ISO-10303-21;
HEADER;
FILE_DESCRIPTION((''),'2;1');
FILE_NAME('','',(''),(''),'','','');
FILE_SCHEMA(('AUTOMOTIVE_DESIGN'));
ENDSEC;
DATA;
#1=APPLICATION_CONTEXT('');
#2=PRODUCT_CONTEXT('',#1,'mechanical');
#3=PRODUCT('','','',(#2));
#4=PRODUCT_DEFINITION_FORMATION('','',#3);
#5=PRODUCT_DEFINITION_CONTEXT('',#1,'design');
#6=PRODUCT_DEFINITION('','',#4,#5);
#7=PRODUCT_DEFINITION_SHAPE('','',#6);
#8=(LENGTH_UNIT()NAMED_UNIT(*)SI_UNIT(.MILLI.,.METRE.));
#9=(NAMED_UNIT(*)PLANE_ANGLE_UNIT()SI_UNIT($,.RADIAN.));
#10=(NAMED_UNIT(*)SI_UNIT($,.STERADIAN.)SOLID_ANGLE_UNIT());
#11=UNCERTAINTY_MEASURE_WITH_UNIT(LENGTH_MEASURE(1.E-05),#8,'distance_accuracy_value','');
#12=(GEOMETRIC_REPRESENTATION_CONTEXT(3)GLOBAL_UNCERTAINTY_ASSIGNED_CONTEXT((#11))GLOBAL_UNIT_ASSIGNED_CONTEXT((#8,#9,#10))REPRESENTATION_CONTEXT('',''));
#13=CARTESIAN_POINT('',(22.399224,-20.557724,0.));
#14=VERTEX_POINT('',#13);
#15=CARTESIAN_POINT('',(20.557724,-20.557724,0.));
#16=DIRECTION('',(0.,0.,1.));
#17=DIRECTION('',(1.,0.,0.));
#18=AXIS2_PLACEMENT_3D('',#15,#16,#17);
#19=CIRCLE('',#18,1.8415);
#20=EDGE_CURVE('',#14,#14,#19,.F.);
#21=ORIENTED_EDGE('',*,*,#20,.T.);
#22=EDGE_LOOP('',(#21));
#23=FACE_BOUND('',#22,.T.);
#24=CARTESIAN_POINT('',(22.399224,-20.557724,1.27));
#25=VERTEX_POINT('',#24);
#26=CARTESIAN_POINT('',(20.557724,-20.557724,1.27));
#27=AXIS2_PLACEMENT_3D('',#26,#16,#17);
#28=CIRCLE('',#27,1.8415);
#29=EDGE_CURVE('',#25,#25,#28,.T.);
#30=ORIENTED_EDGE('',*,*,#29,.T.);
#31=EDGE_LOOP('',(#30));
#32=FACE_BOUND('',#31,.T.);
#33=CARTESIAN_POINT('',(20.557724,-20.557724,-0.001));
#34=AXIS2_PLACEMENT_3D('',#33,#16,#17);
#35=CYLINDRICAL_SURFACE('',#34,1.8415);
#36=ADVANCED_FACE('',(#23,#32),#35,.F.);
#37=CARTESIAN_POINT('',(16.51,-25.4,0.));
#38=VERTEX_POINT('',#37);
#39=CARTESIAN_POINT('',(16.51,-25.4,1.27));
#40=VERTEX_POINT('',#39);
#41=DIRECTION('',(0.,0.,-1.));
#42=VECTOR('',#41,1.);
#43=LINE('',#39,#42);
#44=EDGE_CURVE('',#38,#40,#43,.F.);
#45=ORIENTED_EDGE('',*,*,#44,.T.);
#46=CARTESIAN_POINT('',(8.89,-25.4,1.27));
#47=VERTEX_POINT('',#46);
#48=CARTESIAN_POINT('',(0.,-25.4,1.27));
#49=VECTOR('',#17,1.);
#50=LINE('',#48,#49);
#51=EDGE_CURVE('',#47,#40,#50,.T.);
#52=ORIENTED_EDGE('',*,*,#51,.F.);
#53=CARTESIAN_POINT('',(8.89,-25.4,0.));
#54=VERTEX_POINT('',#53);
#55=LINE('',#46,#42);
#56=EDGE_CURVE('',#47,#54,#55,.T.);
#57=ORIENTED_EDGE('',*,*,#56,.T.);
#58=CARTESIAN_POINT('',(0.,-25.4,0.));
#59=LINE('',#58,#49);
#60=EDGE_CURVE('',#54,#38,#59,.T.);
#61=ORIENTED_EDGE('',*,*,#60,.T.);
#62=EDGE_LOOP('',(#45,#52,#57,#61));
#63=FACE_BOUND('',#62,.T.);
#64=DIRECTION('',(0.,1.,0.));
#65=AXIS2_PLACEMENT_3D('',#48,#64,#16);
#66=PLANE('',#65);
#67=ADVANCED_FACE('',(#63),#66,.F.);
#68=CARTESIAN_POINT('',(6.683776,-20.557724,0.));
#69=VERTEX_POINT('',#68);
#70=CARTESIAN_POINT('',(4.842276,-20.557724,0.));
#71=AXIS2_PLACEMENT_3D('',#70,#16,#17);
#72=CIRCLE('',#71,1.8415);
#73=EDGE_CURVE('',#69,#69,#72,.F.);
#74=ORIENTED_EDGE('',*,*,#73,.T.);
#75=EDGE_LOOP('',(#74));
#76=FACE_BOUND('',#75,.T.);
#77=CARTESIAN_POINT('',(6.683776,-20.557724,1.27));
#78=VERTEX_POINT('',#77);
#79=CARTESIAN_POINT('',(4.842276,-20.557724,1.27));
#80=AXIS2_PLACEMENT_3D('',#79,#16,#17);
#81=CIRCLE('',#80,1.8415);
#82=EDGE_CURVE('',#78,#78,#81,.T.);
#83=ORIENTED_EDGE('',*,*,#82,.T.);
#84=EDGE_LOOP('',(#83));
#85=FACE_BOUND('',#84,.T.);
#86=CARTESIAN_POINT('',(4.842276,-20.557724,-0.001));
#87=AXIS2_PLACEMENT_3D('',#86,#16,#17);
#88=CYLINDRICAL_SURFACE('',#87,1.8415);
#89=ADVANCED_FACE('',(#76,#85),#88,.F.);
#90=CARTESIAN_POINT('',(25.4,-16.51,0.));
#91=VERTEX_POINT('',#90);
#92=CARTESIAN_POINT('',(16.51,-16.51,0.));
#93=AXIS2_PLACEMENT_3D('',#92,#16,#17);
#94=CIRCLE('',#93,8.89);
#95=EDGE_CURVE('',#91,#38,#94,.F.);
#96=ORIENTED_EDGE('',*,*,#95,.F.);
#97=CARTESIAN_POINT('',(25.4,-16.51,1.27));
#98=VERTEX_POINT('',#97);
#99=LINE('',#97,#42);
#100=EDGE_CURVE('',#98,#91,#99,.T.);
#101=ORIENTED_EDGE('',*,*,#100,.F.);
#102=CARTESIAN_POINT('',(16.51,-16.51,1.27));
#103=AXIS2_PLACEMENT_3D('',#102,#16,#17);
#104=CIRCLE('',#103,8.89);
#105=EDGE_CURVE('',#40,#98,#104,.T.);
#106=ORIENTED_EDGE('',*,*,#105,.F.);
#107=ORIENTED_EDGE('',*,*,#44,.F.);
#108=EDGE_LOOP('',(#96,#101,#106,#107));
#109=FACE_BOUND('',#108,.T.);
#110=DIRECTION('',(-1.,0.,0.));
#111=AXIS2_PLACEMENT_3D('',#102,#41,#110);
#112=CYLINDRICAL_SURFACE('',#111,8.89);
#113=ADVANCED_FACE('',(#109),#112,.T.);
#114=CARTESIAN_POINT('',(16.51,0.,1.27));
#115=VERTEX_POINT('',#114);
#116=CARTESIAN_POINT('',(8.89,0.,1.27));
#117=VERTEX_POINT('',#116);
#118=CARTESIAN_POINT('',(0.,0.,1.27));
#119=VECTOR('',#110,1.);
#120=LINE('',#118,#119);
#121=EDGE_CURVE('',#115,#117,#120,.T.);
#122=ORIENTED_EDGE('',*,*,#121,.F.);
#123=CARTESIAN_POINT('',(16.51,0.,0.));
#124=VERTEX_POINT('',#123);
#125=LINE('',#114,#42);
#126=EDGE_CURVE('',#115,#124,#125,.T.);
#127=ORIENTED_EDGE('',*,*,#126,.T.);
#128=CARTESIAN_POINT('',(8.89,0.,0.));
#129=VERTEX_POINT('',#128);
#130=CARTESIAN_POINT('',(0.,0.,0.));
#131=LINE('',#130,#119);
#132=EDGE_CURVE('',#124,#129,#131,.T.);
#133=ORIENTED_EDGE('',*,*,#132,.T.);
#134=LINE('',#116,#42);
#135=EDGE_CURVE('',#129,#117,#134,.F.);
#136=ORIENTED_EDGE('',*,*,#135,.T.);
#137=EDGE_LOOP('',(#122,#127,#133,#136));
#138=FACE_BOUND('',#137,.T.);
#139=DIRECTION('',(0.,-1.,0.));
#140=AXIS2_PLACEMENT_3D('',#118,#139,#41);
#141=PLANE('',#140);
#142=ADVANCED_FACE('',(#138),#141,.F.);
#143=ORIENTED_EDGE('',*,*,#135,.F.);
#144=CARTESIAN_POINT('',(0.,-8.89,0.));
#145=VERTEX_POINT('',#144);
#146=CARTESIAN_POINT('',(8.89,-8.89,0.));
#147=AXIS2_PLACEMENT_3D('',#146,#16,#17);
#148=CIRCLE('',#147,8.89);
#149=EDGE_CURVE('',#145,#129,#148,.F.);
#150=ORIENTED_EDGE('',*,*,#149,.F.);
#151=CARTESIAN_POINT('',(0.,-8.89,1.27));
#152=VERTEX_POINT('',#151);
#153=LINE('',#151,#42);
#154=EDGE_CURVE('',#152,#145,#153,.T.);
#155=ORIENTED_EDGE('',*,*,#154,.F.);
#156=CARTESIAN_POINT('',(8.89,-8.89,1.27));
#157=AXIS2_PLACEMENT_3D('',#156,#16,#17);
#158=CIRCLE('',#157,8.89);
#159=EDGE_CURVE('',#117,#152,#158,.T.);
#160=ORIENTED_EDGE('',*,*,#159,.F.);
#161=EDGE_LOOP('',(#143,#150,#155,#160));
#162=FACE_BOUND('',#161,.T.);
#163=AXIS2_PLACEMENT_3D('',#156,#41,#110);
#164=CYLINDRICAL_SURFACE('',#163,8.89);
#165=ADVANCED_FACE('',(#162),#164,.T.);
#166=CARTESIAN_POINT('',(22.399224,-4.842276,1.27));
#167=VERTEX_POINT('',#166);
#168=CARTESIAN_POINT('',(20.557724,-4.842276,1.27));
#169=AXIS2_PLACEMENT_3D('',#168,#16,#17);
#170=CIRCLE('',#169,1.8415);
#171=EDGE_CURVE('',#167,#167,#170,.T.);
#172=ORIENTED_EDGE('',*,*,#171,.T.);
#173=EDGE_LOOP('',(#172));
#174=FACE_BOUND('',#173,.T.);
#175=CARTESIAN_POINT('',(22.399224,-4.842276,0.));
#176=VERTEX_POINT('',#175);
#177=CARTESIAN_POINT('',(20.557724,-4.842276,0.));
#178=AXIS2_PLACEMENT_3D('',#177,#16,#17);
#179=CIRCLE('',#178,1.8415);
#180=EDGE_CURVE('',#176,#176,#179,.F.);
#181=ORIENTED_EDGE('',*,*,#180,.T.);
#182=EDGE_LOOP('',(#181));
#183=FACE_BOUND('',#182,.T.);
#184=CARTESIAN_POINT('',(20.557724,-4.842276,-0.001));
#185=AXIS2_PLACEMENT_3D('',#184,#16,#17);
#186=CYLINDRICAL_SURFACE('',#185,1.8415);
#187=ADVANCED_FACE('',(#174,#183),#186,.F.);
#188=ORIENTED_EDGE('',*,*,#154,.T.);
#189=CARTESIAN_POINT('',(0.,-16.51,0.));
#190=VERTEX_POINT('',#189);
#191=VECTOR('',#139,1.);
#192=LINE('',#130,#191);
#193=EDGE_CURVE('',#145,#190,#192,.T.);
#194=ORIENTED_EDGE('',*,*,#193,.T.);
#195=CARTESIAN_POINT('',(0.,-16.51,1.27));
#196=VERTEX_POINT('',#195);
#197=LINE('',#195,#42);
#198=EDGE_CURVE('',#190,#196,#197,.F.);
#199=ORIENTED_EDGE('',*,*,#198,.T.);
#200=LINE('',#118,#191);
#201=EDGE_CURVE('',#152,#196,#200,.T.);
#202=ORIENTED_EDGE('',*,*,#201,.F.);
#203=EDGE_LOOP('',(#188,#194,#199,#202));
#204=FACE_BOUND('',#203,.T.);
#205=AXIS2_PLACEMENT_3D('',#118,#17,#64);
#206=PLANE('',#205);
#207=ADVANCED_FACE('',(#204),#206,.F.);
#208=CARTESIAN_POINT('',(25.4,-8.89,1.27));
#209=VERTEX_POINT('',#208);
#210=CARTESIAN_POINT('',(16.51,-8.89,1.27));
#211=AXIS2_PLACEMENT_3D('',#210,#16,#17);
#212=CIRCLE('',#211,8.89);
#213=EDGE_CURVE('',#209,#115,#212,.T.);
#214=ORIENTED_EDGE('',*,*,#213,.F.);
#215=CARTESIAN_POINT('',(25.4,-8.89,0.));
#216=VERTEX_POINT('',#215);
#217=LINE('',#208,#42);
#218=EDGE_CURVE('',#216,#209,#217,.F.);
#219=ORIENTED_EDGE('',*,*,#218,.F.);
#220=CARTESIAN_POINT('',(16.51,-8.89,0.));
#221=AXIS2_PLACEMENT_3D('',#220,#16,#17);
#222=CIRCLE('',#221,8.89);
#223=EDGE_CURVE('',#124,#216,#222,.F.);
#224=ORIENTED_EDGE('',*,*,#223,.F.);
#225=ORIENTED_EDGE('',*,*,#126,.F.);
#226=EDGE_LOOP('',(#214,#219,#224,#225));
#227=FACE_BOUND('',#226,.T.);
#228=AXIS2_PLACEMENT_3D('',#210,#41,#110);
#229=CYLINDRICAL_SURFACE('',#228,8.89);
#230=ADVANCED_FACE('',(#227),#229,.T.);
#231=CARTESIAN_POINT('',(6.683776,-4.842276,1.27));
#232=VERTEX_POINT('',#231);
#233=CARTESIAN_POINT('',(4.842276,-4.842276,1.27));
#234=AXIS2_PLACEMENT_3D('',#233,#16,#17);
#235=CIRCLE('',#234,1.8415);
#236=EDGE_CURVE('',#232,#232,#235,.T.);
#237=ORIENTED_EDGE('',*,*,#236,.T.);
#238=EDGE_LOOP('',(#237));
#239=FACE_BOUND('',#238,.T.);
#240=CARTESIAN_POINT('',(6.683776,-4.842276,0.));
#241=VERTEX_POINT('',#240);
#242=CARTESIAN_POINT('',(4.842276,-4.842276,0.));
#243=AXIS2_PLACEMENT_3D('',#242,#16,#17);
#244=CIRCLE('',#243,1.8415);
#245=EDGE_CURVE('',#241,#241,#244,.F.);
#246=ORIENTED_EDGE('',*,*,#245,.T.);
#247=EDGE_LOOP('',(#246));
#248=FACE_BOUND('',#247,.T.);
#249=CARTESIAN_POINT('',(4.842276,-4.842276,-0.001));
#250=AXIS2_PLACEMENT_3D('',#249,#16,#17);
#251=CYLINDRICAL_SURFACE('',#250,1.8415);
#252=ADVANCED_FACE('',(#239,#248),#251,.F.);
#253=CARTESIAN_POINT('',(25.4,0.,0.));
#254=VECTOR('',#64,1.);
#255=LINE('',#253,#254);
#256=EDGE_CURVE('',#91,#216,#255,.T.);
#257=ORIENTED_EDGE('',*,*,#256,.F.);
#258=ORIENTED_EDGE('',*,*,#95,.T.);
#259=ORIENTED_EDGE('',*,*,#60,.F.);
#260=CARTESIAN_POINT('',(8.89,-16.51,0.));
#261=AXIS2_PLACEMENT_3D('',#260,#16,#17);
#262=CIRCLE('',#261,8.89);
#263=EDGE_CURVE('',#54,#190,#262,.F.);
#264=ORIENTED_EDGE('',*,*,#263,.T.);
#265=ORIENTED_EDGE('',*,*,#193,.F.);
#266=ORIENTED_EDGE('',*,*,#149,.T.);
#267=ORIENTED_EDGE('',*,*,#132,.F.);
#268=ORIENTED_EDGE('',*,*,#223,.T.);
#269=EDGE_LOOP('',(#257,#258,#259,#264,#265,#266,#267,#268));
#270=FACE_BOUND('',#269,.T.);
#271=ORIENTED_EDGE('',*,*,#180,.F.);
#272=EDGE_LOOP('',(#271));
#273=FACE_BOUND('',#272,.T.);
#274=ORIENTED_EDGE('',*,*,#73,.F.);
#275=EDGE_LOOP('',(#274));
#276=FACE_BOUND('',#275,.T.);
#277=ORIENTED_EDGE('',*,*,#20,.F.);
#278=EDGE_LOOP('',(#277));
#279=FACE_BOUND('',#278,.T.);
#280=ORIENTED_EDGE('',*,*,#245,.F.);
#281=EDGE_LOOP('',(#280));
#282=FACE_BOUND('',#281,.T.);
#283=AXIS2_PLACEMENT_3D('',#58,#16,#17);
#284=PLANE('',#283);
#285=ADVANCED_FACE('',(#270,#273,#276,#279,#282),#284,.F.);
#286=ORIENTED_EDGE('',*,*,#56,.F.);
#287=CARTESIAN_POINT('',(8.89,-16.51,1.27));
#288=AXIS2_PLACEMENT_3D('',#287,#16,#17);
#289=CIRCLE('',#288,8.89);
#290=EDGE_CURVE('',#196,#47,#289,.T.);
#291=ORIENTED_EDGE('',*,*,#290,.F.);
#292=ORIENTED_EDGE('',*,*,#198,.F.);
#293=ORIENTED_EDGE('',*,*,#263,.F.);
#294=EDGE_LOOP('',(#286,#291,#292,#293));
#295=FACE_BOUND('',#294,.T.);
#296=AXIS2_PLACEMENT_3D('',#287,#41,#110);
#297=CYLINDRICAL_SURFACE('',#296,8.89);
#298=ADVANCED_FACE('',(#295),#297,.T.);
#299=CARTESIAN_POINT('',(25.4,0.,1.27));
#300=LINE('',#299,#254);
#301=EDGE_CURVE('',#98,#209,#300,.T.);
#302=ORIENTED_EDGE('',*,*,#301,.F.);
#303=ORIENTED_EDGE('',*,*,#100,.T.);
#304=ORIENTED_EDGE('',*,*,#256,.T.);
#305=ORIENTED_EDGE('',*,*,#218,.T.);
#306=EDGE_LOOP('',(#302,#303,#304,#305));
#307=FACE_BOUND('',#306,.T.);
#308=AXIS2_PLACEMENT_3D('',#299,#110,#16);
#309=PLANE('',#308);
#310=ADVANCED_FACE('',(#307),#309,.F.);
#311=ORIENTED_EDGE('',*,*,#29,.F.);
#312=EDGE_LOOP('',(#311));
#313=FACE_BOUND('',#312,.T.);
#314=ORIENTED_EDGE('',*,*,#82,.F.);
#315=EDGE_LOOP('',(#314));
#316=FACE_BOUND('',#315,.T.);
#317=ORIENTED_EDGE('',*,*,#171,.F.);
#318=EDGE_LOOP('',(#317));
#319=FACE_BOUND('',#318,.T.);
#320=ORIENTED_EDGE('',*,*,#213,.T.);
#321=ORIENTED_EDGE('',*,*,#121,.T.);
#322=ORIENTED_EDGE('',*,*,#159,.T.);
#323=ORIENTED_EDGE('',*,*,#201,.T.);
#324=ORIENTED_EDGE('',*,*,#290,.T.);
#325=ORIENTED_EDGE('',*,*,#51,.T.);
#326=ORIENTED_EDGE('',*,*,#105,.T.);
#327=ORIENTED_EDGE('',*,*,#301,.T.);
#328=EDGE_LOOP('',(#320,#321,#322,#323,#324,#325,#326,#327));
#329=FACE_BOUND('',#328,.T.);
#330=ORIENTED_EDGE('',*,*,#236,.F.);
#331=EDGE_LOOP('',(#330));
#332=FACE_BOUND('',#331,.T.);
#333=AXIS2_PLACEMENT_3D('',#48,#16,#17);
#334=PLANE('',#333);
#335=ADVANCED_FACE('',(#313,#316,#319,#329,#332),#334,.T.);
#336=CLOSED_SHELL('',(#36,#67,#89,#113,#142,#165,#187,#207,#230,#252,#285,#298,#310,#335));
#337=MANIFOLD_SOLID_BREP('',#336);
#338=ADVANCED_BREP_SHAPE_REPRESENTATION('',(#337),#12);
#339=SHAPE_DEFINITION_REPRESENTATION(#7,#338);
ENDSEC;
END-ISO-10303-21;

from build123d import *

# Parameters (mm, degrees)
SKETCH1_W                      = 25.4
SKETCH1_H                      = 25.4
BOSS_EXTRUDE1_DEPTH            = 1.27
MOUNTING_HOLES_FOR_MOTOR_REACH = 37.943
SKETCH8_R                      = 1.8415
FILLET2_R                      = 8.89


with BuildPart() as part:
    # Sketch1 → Boss-Extrude1 (new body)
    with BuildSketch(Plane.XY):
        with Locations((12.7, -12.7)):
            Rectangle(SKETCH1_W, SKETCH1_H)
    extrude(amount=BOSS_EXTRUDE1_DEPTH)

    # Sketch8 → Mounting Holes for Motor (cut, up to next)
    with BuildSketch(Plane.XY.offset(1.27), mode=Mode.PRIVATE) as mounting_holes_for_motor_sk1:
        with Locations((20.557724106, -4.842275894)):
            Circle(SKETCH8_R)
    mounting_holes_for_motor_tool1 = extrude(mounting_holes_for_motor_sk1.sketch, amount=-MOUNTING_HOLES_FOR_MOTOR_REACH, mode=Mode.PRIVATE) & part.part
    # Sketch8 → Mounting Holes for Motor (cut, up to next)
    with BuildSketch(Plane.XY.offset(1.27), mode=Mode.PRIVATE) as mounting_holes_for_motor_sk2:
        with Locations((4.842275894, -4.842275894)):
            Circle(SKETCH8_R)
    mounting_holes_for_motor_tool2 = extrude(mounting_holes_for_motor_sk2.sketch, amount=-MOUNTING_HOLES_FOR_MOTOR_REACH, mode=Mode.PRIVATE) & part.part
    # Sketch8 → Mounting Holes for Motor (cut, up to next)
    with BuildSketch(Plane.XY.offset(1.27), mode=Mode.PRIVATE) as mounting_holes_for_motor_sk3:
        with Locations((4.842275894, -20.557724106)):
            Circle(SKETCH8_R)
    mounting_holes_for_motor_tool3 = extrude(mounting_holes_for_motor_sk3.sketch, amount=-MOUNTING_HOLES_FOR_MOTOR_REACH, mode=Mode.PRIVATE) & part.part
    # Sketch8 → Mounting Holes for Motor (cut, up to next)
    with BuildSketch(Plane.XY.offset(1.27), mode=Mode.PRIVATE) as mounting_holes_for_motor_sk4:
        with Locations((20.557724106, -20.557724106)):
            Circle(SKETCH8_R)
    mounting_holes_for_motor_tool4 = extrude(mounting_holes_for_motor_sk4.sketch, amount=-MOUNTING_HOLES_FOR_MOTOR_REACH, mode=Mode.PRIVATE) & part.part
    add(mounting_holes_for_motor_tool1.solids().sort_by_distance((20.557724, -4.842276, 1.27))[0], mode=Mode.SUBTRACT)
    add(mounting_holes_for_motor_tool2.solids().sort_by_distance((4.842276, -4.842276, 1.27))[0], mode=Mode.SUBTRACT)
    add(mounting_holes_for_motor_tool3.solids().sort_by_distance((4.842276, -20.557724, 1.27))[0], mode=Mode.SUBTRACT)
    add(mounting_holes_for_motor_tool4.solids().sort_by_distance((20.557724, -20.557724, 1.27))[0], mode=Mode.SUBTRACT)

    # Fillet2
    fillet2_edges = [part.edges().sort_by_distance(p)[0] for p in [
        (0, 0, 0.635),
        (25.4, 0, 0.635),
        (25.4, -25.4, 0.635),
        (0, -25.4, 0.635),
    ]]
    fillet(fillet2_edges, radius=FILLET2_R)


solid = part.part
